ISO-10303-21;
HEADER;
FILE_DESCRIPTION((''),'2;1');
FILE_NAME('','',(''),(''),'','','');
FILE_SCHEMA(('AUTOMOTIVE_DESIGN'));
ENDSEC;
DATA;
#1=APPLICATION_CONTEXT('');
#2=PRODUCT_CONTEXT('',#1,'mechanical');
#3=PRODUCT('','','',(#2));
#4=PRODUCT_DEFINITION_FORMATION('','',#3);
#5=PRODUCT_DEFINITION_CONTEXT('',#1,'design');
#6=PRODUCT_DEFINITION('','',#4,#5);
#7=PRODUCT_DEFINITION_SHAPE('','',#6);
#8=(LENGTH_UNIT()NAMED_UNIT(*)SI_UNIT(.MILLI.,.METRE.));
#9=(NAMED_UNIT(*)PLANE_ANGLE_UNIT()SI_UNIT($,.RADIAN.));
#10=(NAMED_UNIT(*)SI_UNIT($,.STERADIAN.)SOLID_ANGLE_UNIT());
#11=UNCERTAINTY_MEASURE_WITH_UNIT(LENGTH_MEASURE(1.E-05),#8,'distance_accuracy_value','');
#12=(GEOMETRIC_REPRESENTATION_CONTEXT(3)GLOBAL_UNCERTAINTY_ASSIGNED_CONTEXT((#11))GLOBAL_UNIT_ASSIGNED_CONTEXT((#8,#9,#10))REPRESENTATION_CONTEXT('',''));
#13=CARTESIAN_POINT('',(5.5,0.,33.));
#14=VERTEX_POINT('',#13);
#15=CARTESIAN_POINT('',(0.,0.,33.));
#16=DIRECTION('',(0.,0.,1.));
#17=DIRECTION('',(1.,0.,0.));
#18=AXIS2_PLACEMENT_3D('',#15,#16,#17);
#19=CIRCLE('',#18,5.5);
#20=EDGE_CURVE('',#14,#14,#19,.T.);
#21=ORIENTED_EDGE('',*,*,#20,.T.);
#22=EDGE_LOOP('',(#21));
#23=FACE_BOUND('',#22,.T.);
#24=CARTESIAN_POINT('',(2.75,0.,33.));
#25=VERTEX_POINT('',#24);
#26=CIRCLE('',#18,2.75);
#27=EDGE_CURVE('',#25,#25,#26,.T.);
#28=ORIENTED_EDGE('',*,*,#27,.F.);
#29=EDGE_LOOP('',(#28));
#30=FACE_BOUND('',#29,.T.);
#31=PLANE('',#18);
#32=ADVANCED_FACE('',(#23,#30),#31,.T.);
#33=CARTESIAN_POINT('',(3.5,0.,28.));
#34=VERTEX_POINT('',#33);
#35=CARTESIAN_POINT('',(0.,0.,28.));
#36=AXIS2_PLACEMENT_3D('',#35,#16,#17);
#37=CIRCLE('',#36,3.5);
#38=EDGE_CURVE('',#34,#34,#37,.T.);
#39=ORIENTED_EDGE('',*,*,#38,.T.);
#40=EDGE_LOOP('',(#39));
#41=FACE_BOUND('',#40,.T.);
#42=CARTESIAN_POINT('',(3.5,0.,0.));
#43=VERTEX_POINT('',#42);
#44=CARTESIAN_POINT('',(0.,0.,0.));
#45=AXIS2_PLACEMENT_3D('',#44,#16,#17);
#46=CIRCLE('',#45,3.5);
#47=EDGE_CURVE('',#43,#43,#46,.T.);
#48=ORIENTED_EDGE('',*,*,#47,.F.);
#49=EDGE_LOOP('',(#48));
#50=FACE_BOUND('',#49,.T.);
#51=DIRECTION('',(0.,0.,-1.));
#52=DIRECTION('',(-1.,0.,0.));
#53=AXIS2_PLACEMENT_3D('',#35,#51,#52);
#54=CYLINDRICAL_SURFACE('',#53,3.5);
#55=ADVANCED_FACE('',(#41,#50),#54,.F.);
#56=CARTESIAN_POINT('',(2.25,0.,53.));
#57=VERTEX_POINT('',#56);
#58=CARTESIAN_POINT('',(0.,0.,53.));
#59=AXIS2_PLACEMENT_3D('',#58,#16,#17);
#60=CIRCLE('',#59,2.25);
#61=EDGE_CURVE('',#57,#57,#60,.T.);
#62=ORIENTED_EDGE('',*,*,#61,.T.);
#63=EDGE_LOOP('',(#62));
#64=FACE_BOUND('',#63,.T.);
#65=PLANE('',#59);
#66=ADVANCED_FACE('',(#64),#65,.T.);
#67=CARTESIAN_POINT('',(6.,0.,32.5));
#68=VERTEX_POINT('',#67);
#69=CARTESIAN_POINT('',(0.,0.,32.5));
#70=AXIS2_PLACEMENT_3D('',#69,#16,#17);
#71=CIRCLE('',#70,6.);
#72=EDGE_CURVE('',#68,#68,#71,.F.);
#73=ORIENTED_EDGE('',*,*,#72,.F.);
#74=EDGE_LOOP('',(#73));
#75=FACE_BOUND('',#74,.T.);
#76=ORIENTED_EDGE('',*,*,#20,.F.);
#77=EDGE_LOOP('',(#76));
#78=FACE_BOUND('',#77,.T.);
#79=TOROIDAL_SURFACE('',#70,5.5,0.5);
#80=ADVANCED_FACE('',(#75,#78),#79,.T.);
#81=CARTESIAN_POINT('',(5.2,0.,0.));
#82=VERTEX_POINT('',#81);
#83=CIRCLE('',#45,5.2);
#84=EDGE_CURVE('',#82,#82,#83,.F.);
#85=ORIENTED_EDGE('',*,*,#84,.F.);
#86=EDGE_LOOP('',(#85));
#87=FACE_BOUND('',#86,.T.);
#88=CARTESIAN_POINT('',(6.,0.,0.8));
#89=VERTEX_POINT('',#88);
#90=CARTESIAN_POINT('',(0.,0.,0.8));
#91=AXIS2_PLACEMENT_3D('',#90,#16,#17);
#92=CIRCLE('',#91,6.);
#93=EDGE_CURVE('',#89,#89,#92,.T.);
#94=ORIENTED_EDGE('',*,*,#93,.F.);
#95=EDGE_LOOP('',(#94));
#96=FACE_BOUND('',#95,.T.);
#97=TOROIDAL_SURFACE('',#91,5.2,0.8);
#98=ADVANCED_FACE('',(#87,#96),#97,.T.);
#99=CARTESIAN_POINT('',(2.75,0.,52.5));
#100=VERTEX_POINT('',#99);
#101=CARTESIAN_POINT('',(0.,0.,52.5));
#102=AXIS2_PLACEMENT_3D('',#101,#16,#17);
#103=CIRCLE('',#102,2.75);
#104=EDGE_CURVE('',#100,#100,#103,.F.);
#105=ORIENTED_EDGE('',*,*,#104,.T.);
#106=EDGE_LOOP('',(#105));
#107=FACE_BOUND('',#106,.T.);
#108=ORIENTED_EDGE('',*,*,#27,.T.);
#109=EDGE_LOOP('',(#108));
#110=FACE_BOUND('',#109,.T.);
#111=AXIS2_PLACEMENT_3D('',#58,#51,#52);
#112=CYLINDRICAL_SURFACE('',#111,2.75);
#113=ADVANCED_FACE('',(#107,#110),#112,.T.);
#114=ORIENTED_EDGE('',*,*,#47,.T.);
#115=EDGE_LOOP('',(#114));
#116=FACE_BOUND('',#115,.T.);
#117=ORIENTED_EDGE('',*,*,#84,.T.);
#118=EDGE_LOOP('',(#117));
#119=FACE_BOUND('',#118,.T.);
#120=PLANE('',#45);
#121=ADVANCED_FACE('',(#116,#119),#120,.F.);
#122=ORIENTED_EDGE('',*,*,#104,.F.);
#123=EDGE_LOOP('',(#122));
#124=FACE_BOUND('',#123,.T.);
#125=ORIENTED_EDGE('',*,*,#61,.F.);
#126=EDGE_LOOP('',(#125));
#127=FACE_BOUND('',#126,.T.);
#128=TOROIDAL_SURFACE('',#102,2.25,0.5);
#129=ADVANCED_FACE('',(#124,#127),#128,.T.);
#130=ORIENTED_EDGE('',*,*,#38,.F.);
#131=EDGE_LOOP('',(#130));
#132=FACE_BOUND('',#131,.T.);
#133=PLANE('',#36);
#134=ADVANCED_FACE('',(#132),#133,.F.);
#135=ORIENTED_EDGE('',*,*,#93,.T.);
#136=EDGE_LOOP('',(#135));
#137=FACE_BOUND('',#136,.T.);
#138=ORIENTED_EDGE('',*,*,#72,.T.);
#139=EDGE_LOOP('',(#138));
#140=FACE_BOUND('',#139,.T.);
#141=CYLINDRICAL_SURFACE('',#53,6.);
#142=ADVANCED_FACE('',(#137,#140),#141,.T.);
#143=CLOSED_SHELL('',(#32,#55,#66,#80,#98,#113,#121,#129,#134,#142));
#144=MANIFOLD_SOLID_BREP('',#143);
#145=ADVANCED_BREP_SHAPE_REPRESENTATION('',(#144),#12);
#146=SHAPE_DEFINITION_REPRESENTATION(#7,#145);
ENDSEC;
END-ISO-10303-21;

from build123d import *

# Parameters (mm, degrees)
CROQUIS1_R              = 6
CROQUIS1_R_2            = 3.5
SALIENTE_EXTRUIR1_DEPTH = 28
CROQUIS2_R              = 6
SALIENTE_EXTRUIR2_DEPTH = 5
CROQUIS3_R              = 2.75
SALIENTE_EXTRUIR3_DEPTH = 20
REDONDEO1_R             = 0.5
REDONDEO2_R             = 0.8
REDONDEO3_R             = 0.5


with BuildPart() as part:
    # Croquis1 → Saliente-Extruir1 (new body)
    with BuildSketch(Plane.XY):
        Circle(CROQUIS1_R)
        Circle(CROQUIS1_R_2, mode=Mode.SUBTRACT)
    extrude(amount=SALIENTE_EXTRUIR1_DEPTH)

    # Croquis2 → Saliente-Extruir2 (add)
    with BuildSketch(Plane.XY.offset(28)):
        Circle(CROQUIS2_R)
    extrude(amount=SALIENTE_EXTRUIR2_DEPTH)

    # Croquis3 → Saliente-Extruir3 (add)
    with BuildSketch(Plane.XY.offset(33)):
        Circle(CROQUIS3_R)
    extrude(amount=SALIENTE_EXTRUIR3_DEPTH)

    # Redondeo1
    redondeo1_edges = [part.edges().sort_by_distance(p)[0] for p in [
        (-6, 0, 33),
    ]]
    fillet(redondeo1_edges, radius=REDONDEO1_R)

    # Redondeo2
    redondeo2_edges = [part.edges().sort_by_distance(p)[0] for p in [
        (-6, 0, 0),
    ]]
    fillet(redondeo2_edges, radius=REDONDEO2_R)

    # Redondeo3
    redondeo3_edges = [part.edges().sort_by_distance(p)[0] for p in [
        (-2.75, 0, 53),
    ]]
    fillet(redondeo3_edges, radius=REDONDEO3_R)


solid = part.part
